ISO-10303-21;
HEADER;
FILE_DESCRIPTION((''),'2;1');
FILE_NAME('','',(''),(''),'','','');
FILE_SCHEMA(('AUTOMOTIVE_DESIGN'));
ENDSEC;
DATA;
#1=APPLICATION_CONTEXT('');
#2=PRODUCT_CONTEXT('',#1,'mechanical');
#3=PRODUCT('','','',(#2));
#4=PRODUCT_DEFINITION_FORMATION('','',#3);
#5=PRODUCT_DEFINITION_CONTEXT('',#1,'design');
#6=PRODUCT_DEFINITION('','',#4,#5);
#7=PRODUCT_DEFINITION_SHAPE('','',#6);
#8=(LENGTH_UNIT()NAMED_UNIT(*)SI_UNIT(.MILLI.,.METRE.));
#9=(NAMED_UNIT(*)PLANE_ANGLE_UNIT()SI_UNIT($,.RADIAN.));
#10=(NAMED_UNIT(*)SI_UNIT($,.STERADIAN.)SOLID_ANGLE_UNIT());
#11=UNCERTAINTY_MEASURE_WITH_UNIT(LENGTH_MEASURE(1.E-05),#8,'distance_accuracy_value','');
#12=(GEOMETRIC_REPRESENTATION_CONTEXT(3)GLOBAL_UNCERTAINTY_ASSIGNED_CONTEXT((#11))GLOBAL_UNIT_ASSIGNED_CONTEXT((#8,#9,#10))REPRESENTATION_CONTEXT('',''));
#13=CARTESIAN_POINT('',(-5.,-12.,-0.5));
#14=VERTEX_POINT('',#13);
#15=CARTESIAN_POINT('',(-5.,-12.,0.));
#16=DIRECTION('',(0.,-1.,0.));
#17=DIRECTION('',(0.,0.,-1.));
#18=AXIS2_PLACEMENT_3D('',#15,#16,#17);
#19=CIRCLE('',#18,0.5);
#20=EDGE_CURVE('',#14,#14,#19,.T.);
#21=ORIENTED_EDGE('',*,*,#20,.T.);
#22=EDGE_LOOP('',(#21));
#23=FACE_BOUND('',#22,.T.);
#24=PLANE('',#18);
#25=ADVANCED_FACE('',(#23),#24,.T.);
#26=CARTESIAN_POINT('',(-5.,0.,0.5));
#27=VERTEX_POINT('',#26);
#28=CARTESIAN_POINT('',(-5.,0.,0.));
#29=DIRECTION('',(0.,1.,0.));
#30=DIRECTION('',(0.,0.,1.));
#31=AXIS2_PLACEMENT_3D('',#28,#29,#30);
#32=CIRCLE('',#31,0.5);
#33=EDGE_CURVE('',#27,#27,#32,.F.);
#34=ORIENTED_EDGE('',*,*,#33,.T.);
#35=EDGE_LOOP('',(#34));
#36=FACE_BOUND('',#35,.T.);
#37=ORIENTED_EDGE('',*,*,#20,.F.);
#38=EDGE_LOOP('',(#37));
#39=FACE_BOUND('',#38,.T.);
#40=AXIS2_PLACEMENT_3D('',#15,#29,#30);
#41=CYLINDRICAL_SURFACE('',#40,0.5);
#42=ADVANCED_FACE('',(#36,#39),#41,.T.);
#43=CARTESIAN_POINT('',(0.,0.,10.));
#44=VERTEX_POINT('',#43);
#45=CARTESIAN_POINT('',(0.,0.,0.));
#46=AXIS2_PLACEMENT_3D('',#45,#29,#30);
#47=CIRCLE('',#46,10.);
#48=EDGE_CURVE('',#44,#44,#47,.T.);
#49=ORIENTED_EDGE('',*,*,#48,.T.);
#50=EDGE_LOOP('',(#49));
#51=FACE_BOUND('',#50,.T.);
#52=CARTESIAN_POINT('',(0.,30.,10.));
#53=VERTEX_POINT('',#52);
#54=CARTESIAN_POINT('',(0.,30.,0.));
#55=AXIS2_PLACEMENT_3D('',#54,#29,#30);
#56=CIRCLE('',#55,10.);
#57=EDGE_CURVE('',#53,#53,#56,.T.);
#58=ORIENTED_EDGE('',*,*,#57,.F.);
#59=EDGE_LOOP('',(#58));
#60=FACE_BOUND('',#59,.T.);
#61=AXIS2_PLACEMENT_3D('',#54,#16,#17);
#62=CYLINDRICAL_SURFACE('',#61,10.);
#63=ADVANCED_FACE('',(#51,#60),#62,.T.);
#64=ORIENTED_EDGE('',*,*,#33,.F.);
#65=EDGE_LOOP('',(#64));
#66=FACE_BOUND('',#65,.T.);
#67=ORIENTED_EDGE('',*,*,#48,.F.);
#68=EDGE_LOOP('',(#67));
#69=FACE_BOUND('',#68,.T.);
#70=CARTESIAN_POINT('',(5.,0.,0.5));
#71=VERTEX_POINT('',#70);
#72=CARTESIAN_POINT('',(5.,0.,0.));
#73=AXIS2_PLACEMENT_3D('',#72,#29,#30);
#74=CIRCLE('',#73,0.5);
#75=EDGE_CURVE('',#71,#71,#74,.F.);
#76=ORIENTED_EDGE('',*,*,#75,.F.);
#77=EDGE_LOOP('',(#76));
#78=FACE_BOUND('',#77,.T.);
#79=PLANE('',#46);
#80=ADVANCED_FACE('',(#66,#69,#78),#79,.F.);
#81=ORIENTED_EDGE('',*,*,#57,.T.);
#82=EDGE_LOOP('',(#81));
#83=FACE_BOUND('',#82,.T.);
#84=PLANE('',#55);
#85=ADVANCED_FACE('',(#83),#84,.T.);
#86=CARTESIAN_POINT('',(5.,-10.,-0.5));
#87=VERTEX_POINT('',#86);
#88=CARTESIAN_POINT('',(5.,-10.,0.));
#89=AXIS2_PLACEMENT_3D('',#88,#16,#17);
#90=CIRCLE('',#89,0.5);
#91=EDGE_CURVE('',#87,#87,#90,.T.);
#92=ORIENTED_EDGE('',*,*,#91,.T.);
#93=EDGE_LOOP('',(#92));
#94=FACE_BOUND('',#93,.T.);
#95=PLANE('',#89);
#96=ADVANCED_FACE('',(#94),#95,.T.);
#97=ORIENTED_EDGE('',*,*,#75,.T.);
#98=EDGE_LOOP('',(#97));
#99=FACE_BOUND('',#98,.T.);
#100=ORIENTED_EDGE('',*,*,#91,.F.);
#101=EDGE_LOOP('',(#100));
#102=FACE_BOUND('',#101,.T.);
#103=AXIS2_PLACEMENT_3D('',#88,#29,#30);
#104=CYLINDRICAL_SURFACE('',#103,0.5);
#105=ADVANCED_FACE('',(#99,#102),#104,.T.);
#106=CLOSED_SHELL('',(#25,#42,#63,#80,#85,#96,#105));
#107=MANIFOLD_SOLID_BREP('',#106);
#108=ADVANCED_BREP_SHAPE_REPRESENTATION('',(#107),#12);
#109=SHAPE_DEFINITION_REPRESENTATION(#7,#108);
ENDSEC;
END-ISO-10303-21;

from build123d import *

# Parameters (mm, degrees)
SKETCH_1_R      = 10
EXTRUDE_1_DEPTH = 30
SKETCH_2_R      = 0.5
EXTRUDE_2_DEPTH = 12
SKETCH_3_R      = 0.5
EXTRUDE_3_DEPTH = 10


with BuildPart() as part:
    # 草图1 → 拉伸1 (new body)
    with BuildSketch(Plane(origin=(0, 0, 0), x_dir=(1, 0, 0), z_dir=(0, 1, 0))):
        with Locations(Location((0, 0, 0), (0, 0, 270))):
            Circle(SKETCH_1_R)
    extrude(amount=EXTRUDE_1_DEPTH)

    # 草图2 → 拉伸2 (add)
    with BuildSketch(Plane.XZ):
        with Locations(Location((-5, 0, 0), (0, 0, 90))):
            Circle(SKETCH_2_R)
    extrude(amount=EXTRUDE_2_DEPTH)

    # 草图3 → 拉伸3 (add)
    with BuildSketch(Plane.XZ):
        with Locations(Location((5, 0, 0), (0, 0, 90))):
            Circle(SKETCH_3_R)
    extrude(amount=EXTRUDE_3_DEPTH)


solid = part.part
